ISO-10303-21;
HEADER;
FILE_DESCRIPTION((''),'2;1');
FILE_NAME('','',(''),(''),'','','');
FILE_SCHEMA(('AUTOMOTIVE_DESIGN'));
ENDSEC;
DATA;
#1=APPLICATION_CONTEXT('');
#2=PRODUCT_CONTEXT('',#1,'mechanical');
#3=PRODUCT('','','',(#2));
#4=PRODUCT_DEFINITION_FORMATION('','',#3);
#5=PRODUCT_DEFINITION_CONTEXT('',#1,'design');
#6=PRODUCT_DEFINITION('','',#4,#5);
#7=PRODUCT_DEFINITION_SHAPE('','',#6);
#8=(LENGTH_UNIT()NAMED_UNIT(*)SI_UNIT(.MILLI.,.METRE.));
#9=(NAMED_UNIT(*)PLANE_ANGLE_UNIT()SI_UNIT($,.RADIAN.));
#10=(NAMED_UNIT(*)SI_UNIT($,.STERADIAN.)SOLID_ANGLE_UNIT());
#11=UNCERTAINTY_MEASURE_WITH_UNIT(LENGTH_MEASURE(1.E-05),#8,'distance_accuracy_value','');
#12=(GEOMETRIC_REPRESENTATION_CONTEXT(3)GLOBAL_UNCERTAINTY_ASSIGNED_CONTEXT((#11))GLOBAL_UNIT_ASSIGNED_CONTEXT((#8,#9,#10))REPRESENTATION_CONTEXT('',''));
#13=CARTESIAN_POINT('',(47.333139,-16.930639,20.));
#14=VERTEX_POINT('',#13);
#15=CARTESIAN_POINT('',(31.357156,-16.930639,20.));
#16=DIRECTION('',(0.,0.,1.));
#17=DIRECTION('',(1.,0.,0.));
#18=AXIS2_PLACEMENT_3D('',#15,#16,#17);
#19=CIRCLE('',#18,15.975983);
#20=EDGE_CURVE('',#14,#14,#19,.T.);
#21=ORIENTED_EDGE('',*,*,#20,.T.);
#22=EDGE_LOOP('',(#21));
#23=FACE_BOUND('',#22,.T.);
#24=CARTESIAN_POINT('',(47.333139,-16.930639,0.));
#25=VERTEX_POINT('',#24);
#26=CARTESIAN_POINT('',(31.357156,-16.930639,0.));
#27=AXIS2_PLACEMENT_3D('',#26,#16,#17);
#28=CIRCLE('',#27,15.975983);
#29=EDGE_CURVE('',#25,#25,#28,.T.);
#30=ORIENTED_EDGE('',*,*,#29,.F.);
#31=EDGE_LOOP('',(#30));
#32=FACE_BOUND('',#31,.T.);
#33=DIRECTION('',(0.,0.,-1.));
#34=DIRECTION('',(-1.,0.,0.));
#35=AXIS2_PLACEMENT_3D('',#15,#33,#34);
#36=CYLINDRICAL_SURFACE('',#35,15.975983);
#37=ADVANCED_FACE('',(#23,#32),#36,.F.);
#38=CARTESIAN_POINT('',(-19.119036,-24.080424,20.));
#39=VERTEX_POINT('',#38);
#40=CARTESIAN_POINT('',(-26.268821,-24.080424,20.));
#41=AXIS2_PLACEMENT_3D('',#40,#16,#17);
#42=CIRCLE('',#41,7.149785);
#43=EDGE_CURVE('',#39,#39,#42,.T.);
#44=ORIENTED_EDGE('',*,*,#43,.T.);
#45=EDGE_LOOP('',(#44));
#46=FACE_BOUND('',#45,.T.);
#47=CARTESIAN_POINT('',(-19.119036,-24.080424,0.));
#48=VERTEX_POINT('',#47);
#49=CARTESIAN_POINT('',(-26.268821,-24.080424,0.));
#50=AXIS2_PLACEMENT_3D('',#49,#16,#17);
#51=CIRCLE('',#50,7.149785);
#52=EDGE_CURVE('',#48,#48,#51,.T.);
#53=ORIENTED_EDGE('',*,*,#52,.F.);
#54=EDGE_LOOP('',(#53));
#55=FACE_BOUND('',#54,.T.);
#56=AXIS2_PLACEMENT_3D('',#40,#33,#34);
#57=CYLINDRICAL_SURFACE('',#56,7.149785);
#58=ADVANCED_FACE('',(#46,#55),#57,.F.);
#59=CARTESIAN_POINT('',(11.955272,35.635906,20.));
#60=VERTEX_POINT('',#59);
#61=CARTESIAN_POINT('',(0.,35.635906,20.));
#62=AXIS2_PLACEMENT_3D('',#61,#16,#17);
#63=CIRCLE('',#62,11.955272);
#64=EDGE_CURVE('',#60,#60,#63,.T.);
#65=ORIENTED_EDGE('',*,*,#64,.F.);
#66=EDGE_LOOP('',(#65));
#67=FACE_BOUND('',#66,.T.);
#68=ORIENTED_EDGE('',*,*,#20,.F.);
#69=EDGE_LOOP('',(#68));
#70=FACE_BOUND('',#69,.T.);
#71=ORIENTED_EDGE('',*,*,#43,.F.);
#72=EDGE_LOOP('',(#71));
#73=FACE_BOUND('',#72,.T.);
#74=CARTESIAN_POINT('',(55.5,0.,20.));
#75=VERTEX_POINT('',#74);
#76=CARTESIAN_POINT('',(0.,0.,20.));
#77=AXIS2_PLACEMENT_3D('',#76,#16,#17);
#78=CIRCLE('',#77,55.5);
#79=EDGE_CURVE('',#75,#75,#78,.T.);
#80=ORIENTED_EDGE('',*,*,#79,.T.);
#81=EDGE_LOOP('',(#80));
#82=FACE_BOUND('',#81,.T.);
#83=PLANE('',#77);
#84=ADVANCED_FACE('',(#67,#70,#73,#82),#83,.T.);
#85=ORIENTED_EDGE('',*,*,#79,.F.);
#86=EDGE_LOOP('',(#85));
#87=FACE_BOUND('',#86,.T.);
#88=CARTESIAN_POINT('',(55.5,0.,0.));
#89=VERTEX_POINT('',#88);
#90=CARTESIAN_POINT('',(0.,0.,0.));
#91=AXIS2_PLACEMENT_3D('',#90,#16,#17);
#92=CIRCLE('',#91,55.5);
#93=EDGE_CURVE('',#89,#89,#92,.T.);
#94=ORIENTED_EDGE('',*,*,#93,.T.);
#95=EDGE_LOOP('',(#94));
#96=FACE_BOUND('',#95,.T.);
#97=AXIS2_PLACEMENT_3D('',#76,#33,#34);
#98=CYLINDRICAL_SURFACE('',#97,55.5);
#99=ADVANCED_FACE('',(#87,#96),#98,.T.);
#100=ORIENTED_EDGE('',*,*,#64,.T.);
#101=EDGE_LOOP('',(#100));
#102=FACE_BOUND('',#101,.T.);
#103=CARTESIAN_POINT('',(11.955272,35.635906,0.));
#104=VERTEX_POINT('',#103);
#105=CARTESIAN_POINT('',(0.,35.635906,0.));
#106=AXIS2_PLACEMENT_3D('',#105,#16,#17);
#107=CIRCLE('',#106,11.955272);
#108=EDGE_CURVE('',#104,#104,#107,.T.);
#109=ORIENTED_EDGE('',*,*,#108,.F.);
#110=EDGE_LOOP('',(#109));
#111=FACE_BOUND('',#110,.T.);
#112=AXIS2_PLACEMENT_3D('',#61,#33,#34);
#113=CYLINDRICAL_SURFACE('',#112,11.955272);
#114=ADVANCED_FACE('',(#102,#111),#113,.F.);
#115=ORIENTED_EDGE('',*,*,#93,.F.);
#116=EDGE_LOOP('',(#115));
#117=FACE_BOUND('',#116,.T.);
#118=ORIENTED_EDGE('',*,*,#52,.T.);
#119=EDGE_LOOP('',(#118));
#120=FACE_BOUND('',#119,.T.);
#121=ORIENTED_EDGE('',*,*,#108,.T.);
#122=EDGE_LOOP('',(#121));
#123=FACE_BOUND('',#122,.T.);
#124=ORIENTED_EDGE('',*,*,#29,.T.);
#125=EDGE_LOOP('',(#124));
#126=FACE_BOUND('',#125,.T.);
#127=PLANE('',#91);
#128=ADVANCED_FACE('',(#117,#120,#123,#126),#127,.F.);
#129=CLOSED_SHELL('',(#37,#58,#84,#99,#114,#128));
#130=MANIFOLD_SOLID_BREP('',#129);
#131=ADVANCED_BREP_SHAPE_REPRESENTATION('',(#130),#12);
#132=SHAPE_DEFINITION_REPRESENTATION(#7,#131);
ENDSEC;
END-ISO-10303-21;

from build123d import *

# Parameters (mm, degrees)
CROQUIS1_R              = 55.5
CROQUIS1_R_2            = 11.955271639
CROQUIS1_R_3            = 7.149784922
CROQUIS1_R_4            = 15.975982674
SALIENTE_EXTRUIR1_DEPTH = 20


with BuildPart() as part:
    # Croquis1 → Saliente-Extruir1 (new body)
    with BuildSketch(Plane.XY):
        Circle(CROQUIS1_R)
        with Locations((0, 35.635905847)):
            Circle(CROQUIS1_R_2, mode=Mode.SUBTRACT)
        with Locations((-26.268821142, -24.080424027)):
            Circle(CROQUIS1_R_3, mode=Mode.SUBTRACT)
        with Locations((31.357156201, -16.930639105)):
            Circle(CROQUIS1_R_4, mode=Mode.SUBTRACT)
    extrude(amount=SALIENTE_EXTRUIR1_DEPTH)


solid = part.part
